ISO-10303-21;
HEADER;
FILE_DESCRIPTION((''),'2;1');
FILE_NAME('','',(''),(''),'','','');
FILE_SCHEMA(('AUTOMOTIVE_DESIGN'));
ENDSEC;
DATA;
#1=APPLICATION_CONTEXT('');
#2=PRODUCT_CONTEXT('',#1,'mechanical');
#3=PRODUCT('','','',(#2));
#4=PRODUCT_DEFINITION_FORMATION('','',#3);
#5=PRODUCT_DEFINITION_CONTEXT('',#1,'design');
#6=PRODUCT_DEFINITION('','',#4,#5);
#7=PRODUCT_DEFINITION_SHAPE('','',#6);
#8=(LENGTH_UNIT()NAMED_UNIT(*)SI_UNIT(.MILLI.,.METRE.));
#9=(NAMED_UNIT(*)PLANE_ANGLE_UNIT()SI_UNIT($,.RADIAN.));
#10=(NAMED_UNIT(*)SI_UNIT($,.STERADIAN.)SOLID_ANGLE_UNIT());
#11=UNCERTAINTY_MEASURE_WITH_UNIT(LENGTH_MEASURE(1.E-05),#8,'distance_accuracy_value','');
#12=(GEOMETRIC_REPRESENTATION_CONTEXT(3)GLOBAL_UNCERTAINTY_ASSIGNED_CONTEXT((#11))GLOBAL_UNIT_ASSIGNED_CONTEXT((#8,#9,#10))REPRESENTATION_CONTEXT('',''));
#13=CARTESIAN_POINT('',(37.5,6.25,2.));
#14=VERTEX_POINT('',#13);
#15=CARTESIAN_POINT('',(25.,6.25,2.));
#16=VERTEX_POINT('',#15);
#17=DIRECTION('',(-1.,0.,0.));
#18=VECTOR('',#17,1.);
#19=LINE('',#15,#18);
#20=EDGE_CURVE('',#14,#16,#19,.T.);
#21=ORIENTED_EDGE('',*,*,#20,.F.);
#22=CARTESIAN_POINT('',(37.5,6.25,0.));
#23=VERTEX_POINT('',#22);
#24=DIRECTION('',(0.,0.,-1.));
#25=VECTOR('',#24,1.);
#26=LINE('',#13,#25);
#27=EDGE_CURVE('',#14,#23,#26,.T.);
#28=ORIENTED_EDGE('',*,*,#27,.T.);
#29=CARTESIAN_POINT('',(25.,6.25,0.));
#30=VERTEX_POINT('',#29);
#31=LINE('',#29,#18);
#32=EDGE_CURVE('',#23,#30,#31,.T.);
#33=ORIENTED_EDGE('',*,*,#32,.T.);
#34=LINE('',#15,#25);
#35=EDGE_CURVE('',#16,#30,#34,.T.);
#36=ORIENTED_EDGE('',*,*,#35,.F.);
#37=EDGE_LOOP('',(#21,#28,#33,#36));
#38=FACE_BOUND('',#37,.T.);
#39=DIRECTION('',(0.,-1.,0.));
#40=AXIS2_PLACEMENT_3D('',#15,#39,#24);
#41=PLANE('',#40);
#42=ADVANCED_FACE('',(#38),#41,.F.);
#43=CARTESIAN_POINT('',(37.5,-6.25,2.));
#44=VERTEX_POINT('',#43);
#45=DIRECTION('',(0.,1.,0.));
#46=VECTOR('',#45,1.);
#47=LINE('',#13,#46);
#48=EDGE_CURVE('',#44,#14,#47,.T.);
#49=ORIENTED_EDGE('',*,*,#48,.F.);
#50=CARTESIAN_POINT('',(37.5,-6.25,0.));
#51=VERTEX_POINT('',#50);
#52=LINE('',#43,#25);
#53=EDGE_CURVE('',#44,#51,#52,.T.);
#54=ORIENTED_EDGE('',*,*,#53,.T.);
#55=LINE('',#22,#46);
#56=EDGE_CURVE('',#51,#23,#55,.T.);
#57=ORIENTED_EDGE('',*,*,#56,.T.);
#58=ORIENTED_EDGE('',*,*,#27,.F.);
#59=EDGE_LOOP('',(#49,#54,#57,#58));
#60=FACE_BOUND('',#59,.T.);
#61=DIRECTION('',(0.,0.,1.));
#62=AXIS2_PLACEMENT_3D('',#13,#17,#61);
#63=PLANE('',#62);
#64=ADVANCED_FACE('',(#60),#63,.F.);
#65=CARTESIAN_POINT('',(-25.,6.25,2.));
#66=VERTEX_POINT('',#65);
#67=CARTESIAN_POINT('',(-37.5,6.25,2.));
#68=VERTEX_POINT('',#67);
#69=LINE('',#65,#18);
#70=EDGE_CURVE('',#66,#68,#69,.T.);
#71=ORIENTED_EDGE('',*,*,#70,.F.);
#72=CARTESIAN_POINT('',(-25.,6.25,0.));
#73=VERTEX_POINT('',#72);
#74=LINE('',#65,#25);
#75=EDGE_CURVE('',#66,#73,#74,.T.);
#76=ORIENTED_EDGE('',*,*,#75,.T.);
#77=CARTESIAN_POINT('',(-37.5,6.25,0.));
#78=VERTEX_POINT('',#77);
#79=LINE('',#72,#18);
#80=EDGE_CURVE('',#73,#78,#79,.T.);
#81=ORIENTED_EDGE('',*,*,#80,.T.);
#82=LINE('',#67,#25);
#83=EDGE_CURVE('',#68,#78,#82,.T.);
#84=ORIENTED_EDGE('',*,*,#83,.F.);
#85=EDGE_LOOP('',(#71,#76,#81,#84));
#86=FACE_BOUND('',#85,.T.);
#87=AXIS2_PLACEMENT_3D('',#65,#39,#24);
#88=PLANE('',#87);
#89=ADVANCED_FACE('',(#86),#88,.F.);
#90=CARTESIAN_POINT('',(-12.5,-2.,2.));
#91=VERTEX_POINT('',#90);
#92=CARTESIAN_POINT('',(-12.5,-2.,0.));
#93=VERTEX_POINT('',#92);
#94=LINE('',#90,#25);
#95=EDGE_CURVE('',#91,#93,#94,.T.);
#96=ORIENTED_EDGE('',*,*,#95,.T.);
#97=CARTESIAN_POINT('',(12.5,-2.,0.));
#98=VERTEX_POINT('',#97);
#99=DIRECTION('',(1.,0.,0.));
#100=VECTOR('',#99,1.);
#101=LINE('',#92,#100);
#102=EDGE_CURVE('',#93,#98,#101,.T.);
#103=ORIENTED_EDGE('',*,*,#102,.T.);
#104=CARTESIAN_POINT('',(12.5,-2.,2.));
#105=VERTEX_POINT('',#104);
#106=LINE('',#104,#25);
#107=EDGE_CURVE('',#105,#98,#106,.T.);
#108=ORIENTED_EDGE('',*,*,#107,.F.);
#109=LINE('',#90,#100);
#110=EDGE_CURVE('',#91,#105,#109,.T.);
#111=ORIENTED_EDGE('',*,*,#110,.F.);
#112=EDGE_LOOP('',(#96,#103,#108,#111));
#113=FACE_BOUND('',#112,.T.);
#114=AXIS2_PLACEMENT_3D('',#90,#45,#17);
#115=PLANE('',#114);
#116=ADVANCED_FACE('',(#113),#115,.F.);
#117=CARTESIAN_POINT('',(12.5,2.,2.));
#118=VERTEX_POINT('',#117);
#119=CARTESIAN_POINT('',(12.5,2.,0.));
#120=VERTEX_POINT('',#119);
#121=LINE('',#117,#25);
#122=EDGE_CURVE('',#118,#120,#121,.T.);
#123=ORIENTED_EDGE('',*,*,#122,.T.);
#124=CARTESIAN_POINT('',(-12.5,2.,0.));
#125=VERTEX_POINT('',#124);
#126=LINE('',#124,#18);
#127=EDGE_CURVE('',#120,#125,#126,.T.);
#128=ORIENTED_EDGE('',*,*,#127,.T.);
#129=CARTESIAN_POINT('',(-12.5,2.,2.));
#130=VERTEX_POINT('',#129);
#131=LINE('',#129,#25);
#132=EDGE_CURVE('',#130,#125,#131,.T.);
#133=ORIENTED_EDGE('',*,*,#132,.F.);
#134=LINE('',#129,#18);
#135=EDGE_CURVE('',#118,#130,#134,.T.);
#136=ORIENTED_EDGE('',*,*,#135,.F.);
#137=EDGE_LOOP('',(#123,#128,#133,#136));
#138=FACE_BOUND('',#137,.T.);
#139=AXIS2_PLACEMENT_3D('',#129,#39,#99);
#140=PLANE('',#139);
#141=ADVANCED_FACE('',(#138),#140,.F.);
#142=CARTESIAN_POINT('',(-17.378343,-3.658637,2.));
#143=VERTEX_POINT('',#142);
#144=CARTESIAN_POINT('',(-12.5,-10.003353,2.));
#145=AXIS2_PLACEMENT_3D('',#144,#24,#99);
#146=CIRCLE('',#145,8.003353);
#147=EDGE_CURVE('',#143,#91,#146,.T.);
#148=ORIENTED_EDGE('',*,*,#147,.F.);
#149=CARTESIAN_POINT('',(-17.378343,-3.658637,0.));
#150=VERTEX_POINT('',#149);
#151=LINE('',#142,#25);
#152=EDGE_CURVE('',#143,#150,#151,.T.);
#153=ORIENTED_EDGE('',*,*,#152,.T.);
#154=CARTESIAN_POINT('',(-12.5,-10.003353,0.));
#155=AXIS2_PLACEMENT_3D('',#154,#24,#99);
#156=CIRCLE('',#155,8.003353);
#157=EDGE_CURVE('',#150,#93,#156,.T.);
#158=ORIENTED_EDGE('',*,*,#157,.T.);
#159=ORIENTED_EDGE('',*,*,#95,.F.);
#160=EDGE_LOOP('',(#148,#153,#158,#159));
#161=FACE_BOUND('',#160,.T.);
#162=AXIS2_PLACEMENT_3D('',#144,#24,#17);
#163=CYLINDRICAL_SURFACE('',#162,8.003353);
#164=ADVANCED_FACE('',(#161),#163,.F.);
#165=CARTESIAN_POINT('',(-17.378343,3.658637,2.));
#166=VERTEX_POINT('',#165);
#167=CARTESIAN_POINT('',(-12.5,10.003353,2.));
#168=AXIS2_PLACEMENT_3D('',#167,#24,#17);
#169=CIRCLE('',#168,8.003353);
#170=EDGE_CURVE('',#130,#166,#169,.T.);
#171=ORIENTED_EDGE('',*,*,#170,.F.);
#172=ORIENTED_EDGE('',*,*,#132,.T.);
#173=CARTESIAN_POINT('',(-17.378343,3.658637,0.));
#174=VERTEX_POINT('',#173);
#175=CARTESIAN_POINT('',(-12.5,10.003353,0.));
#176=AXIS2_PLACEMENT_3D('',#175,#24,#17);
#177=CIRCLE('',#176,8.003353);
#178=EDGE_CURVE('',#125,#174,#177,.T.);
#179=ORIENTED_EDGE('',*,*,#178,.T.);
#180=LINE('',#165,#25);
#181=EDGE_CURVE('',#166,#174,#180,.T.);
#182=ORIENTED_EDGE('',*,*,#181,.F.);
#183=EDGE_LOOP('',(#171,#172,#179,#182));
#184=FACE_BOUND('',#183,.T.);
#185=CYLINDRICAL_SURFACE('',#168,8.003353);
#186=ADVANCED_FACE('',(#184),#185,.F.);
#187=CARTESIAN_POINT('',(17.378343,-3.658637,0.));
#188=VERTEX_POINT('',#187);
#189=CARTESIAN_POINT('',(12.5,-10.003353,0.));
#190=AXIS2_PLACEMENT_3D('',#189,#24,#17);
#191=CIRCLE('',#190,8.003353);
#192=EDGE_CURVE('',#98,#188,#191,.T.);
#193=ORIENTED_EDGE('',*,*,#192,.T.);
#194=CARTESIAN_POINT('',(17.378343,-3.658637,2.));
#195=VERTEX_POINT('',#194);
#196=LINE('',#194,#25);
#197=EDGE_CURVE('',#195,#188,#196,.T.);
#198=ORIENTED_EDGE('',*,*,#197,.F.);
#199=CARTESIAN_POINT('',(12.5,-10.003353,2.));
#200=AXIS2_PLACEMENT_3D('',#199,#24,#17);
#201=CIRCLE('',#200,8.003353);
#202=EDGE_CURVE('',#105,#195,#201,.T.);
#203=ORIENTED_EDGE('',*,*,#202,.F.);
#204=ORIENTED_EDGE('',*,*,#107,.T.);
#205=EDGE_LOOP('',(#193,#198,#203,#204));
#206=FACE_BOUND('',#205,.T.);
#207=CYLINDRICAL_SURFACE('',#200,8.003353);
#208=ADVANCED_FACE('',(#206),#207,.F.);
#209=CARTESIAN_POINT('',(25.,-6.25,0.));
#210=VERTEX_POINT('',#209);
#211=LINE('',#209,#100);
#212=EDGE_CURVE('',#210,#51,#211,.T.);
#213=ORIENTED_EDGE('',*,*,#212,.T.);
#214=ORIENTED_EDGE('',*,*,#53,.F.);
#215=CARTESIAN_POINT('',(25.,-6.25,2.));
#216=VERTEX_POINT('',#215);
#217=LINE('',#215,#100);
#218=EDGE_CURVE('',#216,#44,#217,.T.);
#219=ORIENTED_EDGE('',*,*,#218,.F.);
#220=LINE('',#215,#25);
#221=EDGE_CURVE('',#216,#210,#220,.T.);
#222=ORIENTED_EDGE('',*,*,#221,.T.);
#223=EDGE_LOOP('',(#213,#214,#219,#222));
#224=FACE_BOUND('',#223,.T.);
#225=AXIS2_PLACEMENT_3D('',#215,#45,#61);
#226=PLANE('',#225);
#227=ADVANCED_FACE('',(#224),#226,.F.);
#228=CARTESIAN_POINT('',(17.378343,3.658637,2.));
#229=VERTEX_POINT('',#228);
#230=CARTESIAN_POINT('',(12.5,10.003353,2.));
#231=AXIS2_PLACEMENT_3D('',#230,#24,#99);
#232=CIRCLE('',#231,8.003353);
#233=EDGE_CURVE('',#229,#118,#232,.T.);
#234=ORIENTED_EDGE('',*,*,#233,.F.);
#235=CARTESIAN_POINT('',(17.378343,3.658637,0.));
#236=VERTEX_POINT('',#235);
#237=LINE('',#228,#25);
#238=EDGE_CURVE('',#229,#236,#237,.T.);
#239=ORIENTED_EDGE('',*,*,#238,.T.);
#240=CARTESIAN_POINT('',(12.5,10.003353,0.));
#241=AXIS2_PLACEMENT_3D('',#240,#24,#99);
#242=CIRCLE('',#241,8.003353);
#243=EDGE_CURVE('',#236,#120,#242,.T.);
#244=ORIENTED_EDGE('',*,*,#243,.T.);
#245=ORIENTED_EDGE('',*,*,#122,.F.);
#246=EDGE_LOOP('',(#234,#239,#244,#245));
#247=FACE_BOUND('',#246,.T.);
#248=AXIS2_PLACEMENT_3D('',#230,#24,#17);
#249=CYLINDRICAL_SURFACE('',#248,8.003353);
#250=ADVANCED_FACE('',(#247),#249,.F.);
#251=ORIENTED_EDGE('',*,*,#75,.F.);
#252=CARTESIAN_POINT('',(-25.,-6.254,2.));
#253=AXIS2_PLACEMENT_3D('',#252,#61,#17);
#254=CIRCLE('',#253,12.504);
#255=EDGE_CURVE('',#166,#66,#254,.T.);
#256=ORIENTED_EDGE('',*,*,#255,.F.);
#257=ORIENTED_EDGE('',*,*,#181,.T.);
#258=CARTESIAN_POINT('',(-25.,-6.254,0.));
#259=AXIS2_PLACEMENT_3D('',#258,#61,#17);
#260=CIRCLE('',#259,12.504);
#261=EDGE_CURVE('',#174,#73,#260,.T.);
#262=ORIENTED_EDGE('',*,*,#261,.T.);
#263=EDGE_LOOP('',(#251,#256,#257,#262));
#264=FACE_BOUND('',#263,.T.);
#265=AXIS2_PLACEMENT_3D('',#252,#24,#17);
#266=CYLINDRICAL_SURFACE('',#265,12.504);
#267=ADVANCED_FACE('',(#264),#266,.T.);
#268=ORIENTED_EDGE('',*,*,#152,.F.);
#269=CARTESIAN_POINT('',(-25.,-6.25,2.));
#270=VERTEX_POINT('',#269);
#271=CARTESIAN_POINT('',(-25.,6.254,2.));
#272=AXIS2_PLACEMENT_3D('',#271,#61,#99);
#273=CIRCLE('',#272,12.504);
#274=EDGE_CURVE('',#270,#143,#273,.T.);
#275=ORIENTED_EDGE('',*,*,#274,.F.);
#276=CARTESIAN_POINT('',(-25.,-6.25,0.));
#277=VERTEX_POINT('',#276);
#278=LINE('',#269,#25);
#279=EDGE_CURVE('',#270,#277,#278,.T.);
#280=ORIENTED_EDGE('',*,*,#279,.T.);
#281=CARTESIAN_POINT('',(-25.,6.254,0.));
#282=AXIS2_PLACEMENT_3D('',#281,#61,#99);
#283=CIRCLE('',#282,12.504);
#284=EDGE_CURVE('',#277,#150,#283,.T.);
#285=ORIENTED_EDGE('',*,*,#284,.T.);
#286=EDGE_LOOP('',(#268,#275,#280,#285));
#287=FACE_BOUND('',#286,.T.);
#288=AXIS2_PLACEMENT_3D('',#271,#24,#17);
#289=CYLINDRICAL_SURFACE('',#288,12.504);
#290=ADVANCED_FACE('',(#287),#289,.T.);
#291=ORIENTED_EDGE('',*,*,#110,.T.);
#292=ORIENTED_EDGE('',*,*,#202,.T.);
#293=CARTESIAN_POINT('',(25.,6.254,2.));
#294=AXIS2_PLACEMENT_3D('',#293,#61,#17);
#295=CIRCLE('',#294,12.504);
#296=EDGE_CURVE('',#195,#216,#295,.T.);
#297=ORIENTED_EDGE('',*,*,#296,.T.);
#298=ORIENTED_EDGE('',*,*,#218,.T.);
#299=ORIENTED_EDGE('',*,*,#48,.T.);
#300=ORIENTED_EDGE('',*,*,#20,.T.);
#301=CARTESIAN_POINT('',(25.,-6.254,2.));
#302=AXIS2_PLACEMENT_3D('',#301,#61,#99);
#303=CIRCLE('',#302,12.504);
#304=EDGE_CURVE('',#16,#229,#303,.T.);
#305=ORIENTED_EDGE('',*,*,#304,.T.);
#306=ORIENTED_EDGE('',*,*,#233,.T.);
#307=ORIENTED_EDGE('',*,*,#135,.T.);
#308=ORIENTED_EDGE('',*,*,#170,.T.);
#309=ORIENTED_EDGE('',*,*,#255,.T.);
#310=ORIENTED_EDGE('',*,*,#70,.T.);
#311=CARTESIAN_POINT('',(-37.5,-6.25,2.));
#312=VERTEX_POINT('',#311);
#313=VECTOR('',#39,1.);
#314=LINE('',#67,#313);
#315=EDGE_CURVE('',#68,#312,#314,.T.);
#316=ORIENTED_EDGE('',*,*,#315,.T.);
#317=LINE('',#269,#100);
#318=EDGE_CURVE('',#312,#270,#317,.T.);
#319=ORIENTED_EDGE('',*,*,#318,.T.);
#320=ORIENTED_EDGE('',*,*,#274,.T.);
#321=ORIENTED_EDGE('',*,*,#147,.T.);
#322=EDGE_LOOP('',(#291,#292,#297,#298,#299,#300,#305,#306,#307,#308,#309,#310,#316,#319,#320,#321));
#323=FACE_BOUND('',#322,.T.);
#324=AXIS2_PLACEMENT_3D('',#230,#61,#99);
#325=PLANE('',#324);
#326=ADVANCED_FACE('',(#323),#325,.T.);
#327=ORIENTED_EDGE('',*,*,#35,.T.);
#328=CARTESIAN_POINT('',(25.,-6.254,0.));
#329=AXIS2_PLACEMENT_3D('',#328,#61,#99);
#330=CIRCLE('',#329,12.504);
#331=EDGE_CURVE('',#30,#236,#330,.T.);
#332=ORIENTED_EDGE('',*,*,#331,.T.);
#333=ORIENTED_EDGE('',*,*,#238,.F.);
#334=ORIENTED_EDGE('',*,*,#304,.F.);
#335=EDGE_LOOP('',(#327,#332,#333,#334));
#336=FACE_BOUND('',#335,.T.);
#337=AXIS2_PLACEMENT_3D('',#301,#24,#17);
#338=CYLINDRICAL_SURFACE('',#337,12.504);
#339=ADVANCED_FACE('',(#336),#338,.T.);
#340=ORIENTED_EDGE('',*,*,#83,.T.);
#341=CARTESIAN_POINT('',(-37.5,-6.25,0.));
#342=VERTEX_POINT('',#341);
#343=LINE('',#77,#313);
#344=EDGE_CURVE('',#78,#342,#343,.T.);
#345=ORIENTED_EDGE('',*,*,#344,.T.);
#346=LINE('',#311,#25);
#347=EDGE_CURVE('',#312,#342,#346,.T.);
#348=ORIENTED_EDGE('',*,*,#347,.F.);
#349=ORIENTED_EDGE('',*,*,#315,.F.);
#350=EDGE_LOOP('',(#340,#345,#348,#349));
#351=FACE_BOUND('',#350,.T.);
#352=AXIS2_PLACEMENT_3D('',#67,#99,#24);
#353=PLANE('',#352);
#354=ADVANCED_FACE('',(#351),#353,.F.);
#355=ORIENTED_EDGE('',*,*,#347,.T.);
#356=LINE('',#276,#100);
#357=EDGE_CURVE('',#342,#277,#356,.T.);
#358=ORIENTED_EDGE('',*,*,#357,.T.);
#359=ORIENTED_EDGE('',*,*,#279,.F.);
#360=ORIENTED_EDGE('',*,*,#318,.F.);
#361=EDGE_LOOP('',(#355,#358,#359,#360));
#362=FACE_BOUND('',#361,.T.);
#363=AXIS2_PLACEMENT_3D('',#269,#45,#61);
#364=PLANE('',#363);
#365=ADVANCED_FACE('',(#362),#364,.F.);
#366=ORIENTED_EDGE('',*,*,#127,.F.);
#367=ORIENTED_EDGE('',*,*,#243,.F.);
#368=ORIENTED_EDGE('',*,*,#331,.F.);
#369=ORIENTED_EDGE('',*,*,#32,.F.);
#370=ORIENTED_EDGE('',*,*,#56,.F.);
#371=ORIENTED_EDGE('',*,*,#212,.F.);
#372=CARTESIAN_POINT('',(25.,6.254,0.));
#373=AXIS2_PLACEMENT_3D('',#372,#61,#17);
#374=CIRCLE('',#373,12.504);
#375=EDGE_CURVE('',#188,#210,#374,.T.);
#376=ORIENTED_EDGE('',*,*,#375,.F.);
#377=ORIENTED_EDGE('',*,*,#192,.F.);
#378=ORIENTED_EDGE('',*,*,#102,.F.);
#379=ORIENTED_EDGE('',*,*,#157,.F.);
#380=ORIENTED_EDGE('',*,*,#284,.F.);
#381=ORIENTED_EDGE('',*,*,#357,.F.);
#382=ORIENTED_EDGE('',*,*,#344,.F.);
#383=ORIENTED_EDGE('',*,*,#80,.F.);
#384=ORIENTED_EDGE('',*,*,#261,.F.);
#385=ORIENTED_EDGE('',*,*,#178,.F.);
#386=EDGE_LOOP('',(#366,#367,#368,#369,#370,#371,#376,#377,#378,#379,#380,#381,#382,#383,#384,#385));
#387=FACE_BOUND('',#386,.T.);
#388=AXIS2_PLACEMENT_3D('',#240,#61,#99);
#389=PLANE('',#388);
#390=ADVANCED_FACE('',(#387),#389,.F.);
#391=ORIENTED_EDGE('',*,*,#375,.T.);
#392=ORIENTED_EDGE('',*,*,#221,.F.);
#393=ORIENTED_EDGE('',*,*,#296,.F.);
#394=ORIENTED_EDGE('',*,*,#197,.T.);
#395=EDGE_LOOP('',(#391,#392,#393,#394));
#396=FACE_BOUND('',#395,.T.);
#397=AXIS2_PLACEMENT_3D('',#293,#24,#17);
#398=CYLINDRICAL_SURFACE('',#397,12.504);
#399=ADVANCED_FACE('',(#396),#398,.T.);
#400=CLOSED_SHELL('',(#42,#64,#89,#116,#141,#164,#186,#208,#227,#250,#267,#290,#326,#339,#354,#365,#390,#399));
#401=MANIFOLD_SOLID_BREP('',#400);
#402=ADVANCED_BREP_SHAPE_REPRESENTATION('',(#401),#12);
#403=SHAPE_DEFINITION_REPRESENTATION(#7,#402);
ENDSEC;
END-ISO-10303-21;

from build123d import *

# Parameters (mm, degrees)
BOSS_EXTRUDE1_DEPTH = 2


with BuildPart() as part:
    # Sketch1 → Boss-Extrude1 (new body)
    with BuildSketch(Plane.XY):
        with BuildLine():
            Line((-12.5, 2), (12.5, 2))
            ThreePointArc((12.5, 2), (15.076301187, 2.425996509), (17.378343492, 3.658636787))
            ThreePointArc((17.378343492, 3.658636787), (20.974928224, 5.584446401), (25, 6.25))
            Line((25, 6.25), (37.5, 6.25))
            Line((37.5, 6.25), (37.5, -6.25))
            Line((37.5, -6.25), (25, -6.25))
            ThreePointArc((25, -6.25), (20.974928224, -5.584446401), (17.378343492, -3.658636787))
            ThreePointArc((17.378343492, -3.658636787), (15.076301187, -2.425996509), (12.5, -2))
            Line((12.5, -2), (-12.5, -2))
            ThreePointArc((-12.5, -2), (-15.076301187, -2.425996509), (-17.378343492, -3.658636787))
            ThreePointArc((-17.378343492, -3.658636787), (-20.974928224, -5.584446401), (-25, -6.25))
            Line((-25, -6.25), (-37.5, -6.25))
            Line((-37.5, -6.25), (-37.5, 6.25))
            Line((-37.5, 6.25), (-25, 6.25))
            ThreePointArc((-25, 6.25), (-20.974928224, 5.584446401), (-17.378343492, 3.658636787))
            ThreePointArc((-17.378343492, 3.658636787), (-15.076301187, 2.425996509), (-12.5, 2))
        make_face()
    extrude(amount=BOSS_EXTRUDE1_DEPTH)


solid = part.part
